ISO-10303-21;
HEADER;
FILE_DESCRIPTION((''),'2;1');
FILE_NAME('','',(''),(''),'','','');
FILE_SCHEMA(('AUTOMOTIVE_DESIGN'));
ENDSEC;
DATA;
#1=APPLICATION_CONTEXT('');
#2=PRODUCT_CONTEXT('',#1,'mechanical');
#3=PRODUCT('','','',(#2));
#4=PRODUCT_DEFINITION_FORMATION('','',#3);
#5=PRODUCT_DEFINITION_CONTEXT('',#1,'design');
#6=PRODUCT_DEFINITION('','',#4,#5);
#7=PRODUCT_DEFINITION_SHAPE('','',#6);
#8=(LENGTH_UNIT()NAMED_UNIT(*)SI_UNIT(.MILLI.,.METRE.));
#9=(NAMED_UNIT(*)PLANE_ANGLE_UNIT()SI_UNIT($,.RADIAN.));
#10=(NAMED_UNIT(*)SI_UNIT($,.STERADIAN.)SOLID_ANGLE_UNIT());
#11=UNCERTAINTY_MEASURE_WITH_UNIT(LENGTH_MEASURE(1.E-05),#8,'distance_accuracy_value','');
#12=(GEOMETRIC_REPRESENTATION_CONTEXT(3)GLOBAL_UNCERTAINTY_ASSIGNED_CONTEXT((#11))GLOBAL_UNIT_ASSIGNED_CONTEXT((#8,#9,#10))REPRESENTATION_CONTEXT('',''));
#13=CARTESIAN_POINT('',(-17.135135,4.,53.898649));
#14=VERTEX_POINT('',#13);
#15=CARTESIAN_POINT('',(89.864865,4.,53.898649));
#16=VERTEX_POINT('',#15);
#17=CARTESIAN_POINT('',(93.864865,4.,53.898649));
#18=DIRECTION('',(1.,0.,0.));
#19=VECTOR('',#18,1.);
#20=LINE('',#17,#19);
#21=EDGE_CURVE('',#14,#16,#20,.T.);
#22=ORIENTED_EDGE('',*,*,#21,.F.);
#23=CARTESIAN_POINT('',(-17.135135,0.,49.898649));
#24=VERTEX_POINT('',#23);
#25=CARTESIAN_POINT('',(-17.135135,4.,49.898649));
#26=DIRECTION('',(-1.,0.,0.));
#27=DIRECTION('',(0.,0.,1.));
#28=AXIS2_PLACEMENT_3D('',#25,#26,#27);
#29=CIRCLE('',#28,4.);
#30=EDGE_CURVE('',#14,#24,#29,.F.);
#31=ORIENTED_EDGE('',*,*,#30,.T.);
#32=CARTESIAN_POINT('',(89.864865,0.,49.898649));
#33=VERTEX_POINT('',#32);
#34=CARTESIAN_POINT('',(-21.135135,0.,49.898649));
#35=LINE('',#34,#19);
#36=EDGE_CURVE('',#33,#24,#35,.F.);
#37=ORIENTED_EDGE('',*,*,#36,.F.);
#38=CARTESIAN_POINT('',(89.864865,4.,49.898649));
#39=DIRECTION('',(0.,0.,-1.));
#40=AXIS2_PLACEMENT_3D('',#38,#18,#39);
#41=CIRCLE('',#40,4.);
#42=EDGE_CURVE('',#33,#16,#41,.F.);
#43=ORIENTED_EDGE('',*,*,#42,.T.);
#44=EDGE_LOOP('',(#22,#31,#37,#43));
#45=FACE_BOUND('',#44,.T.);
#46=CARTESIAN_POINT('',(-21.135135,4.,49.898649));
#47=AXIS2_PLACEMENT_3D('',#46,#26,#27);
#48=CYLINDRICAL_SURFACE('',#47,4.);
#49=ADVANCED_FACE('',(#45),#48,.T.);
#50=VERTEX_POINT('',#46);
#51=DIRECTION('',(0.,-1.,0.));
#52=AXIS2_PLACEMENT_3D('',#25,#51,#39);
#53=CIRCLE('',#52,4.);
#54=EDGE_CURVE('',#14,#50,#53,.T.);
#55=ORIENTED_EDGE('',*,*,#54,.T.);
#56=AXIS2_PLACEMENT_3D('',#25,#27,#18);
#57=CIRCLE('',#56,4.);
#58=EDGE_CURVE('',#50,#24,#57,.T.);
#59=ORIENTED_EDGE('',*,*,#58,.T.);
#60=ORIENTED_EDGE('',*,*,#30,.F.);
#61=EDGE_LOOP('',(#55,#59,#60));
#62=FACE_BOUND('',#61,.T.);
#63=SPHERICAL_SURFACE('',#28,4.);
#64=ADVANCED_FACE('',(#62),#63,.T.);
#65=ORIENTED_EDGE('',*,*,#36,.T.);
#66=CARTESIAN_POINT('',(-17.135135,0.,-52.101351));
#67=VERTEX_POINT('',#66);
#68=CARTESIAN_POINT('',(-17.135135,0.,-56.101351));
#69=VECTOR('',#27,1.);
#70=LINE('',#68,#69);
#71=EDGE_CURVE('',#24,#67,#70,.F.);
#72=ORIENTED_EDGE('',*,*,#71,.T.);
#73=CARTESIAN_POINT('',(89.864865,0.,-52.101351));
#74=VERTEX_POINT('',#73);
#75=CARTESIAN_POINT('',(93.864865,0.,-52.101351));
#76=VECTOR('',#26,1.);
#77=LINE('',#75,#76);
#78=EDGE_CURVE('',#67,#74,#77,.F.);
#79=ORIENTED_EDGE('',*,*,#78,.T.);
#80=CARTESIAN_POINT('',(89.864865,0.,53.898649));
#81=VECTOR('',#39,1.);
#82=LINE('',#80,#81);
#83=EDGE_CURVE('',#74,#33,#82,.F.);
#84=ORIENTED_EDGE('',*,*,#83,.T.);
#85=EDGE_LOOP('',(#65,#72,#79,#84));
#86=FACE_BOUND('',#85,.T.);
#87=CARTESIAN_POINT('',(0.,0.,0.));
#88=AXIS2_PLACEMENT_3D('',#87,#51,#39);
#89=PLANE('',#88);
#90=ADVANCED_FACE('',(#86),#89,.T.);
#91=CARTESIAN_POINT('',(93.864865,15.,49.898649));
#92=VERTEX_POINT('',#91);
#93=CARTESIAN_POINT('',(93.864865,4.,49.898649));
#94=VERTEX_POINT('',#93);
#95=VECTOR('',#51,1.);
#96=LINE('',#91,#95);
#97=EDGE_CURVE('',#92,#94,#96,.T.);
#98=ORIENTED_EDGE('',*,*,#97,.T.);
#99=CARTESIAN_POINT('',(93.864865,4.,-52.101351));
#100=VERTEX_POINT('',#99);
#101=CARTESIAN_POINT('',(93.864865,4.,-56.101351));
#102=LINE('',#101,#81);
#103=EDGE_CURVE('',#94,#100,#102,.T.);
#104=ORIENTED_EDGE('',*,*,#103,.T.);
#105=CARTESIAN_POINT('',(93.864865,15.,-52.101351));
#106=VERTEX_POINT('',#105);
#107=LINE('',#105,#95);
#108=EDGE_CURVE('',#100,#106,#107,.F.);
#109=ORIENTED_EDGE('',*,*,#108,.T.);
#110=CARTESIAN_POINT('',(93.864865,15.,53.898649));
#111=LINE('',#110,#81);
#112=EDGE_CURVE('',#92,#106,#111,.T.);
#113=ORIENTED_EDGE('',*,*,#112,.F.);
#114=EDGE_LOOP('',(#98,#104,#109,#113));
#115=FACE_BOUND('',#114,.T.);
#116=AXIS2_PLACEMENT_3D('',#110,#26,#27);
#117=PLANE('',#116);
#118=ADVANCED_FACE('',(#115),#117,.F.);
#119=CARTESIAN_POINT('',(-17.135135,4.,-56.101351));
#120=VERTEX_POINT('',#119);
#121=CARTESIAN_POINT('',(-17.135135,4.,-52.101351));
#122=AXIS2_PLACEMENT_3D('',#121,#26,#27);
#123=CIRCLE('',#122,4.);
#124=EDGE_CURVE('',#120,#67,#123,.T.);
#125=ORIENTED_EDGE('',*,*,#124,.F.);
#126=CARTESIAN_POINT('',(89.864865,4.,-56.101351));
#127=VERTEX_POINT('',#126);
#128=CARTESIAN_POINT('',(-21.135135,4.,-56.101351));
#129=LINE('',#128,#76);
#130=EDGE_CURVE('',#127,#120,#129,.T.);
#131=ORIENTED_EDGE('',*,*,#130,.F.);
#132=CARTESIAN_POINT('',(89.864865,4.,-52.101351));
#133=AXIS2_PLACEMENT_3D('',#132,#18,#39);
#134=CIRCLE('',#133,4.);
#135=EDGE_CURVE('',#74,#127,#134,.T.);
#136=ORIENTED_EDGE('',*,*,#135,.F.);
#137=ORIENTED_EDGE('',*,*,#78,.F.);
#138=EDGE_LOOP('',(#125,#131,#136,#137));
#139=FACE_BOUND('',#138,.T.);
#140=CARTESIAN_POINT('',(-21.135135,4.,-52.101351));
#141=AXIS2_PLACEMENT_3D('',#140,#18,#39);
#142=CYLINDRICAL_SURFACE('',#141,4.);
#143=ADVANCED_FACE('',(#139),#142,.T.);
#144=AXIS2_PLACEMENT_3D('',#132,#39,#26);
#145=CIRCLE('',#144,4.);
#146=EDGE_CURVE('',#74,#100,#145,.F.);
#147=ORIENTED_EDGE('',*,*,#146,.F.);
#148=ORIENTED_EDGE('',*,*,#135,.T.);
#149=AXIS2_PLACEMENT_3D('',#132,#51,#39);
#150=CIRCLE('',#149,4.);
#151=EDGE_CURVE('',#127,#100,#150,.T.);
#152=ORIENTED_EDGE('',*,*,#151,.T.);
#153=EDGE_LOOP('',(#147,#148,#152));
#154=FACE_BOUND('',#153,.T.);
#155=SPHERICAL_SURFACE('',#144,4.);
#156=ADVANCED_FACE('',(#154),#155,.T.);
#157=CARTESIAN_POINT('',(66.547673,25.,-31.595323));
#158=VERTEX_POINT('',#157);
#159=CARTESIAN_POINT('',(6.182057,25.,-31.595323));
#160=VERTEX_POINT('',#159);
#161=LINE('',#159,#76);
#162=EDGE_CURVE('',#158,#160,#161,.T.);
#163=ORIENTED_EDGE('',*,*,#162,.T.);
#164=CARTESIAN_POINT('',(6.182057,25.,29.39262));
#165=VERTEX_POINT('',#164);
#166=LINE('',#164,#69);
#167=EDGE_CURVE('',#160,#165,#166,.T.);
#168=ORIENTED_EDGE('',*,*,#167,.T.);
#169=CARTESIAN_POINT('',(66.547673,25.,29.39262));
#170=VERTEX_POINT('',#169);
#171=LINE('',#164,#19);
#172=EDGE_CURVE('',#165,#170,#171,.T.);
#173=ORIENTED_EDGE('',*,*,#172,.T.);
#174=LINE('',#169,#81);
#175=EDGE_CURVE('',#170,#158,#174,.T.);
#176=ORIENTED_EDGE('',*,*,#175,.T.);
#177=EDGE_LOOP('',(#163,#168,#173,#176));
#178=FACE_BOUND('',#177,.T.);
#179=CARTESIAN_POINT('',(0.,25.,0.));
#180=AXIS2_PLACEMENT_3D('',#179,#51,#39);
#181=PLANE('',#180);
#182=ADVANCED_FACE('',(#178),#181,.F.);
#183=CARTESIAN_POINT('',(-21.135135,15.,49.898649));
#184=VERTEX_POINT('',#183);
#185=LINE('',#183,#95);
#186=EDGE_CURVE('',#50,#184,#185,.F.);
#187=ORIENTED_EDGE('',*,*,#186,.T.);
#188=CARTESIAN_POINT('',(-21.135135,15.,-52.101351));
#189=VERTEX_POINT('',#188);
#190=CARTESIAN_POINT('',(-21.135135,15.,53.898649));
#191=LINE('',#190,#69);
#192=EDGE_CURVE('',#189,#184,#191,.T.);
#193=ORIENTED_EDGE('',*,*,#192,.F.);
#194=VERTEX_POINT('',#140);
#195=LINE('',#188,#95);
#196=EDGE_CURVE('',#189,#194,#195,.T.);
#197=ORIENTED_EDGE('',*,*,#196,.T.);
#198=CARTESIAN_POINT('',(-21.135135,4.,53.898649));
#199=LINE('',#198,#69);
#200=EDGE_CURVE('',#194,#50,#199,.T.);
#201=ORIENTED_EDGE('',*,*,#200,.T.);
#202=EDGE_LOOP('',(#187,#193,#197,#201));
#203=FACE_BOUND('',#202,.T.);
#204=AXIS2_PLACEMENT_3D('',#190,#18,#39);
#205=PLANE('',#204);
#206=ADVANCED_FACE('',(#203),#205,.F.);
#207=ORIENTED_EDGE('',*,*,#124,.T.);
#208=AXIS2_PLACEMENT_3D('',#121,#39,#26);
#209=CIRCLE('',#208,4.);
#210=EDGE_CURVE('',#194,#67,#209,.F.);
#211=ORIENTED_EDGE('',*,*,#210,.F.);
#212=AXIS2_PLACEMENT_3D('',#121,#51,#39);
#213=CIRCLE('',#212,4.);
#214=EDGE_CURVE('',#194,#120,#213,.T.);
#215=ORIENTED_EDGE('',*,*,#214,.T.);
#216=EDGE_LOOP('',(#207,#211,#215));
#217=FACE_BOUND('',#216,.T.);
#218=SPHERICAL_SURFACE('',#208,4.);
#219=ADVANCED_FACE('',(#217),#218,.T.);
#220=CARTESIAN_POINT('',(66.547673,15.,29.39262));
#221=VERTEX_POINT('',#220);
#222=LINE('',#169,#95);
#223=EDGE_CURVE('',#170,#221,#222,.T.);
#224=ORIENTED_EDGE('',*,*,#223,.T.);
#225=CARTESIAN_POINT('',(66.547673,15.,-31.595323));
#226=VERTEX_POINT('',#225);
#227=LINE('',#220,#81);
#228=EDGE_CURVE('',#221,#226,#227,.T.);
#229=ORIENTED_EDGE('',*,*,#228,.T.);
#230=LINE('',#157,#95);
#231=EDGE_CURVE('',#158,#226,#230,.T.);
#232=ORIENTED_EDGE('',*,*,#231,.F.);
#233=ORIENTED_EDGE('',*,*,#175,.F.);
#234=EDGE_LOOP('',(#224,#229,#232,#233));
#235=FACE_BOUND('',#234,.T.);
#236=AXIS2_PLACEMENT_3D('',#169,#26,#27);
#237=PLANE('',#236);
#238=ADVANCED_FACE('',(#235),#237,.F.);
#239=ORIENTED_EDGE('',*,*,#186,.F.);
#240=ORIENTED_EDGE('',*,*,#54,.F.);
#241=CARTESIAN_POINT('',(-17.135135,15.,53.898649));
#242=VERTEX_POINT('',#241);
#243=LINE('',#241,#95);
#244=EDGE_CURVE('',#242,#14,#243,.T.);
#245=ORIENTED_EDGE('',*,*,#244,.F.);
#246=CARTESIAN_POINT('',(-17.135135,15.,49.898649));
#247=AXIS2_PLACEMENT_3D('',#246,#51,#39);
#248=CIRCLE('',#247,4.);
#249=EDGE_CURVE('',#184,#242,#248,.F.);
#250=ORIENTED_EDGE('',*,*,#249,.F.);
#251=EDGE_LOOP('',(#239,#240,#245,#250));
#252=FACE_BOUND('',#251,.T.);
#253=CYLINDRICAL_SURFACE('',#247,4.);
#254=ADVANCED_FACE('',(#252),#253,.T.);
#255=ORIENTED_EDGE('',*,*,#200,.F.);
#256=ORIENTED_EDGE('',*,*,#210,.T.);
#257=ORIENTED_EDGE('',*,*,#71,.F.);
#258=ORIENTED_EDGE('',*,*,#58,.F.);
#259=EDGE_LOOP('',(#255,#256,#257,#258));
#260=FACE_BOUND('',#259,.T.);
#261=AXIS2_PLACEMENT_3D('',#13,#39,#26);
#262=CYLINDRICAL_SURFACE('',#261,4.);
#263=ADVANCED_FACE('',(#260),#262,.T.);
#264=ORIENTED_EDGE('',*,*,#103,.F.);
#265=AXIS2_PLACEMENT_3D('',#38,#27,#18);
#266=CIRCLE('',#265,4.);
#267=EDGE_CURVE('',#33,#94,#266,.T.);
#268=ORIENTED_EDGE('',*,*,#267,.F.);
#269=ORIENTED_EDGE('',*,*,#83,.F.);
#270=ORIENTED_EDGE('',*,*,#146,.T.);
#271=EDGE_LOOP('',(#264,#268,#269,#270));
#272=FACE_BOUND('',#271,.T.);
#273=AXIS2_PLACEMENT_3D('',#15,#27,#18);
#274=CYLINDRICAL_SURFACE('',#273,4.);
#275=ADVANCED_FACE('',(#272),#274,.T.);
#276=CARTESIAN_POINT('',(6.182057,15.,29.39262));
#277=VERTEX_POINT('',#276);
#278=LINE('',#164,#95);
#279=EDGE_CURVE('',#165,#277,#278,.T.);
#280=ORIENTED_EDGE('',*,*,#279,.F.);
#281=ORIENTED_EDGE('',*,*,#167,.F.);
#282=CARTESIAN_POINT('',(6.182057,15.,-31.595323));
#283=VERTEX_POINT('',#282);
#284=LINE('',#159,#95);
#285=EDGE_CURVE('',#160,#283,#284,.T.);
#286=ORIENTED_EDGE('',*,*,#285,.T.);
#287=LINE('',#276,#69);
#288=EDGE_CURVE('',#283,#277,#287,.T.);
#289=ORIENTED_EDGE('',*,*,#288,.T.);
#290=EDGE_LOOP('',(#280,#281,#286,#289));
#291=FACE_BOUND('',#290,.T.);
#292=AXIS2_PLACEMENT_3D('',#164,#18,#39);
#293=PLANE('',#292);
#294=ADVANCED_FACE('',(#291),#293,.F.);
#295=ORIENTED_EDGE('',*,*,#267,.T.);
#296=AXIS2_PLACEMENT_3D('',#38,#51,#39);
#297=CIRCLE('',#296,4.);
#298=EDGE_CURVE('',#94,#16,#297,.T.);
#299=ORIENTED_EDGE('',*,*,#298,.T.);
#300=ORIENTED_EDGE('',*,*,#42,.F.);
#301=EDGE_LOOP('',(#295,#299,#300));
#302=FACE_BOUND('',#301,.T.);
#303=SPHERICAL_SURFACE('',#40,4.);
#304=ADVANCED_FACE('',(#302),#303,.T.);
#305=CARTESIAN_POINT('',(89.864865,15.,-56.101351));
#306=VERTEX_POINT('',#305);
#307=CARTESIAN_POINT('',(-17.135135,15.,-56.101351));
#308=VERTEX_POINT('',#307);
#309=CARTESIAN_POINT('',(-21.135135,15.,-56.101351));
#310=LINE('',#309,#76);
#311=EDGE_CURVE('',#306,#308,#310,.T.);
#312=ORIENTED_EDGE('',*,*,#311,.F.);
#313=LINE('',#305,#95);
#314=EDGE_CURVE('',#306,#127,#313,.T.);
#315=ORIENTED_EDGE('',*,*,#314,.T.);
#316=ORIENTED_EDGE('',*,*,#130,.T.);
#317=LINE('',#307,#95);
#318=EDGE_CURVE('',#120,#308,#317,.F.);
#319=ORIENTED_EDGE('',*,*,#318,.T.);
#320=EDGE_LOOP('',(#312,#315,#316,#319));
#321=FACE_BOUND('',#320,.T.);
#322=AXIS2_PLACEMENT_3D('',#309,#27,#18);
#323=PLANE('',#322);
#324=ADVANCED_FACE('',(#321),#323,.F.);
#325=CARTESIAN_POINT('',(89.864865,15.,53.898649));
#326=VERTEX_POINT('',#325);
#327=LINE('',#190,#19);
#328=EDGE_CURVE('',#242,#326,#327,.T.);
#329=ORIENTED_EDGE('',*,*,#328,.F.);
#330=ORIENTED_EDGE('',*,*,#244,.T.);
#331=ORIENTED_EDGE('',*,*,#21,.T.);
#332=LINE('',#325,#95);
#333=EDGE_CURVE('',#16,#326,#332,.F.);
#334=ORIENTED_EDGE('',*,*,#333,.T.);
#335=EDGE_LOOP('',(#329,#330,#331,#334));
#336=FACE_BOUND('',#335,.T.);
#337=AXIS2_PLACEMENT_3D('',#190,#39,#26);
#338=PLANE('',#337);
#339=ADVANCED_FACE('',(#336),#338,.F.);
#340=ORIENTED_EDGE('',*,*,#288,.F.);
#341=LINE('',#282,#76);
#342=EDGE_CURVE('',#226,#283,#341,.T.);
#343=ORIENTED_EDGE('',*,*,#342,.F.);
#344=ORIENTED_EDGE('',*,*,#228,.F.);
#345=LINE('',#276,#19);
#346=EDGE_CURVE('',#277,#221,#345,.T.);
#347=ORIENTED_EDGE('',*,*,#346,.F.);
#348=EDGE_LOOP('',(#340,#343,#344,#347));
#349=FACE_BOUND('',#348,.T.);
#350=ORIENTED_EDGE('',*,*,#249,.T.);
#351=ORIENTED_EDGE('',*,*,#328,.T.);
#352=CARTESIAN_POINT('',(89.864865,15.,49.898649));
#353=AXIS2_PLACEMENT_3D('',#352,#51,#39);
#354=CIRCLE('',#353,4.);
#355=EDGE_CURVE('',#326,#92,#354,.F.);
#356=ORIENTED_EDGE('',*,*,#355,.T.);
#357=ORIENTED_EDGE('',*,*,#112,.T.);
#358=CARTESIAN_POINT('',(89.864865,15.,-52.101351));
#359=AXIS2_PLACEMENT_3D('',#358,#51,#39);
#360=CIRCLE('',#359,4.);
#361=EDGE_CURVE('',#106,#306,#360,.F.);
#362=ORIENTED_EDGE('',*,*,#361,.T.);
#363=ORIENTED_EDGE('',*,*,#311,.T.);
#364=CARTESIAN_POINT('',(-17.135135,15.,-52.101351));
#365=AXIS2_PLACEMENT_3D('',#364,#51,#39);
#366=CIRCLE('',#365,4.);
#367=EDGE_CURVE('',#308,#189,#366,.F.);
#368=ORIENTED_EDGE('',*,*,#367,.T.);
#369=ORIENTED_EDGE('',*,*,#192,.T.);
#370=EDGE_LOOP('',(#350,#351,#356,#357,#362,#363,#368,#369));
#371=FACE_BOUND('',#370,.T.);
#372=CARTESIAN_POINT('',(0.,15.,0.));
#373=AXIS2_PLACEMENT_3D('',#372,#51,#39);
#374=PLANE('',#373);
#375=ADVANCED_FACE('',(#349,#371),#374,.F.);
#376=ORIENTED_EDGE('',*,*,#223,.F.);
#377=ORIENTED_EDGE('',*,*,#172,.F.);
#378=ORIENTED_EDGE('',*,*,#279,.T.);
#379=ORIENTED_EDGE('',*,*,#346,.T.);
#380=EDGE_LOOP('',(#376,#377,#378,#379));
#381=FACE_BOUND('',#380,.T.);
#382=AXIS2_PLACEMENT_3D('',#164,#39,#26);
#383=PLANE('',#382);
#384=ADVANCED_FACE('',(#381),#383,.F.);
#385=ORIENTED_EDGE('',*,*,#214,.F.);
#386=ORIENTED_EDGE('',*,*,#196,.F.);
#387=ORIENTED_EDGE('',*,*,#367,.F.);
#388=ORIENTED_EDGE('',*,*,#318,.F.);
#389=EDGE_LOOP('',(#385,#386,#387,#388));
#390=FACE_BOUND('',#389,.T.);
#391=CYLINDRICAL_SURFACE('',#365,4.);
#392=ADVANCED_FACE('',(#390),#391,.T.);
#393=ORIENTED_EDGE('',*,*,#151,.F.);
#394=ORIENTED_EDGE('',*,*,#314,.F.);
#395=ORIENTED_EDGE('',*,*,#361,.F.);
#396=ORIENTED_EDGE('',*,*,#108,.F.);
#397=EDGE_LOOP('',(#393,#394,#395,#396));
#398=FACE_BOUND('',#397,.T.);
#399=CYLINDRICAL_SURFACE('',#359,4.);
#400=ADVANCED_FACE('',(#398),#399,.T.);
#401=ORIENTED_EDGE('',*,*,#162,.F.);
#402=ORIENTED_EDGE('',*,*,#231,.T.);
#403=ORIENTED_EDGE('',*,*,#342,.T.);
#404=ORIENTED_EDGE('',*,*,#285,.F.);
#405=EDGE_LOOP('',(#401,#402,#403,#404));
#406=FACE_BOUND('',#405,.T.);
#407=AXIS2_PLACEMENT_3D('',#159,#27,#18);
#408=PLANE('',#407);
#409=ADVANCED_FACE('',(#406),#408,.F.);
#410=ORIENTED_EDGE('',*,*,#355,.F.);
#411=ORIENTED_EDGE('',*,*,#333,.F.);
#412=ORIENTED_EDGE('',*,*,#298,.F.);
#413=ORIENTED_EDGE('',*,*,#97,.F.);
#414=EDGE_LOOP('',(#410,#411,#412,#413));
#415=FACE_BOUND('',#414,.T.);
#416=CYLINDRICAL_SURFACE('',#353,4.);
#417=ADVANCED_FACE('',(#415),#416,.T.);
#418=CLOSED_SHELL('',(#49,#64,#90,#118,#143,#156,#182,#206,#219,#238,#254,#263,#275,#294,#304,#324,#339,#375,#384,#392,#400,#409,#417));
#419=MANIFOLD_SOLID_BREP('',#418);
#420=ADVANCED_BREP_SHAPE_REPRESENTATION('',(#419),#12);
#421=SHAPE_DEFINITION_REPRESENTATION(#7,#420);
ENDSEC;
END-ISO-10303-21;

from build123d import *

# Parameters (mm, degrees)
SKETCH2_W           = 115
SKETCH2_H           = 110
BOSS_EXTRUDE1_DEPTH = 15
SKETCH3_W           = 60.365616492
SKETCH3_H           = 60.987942435
BOSS_EXTRUDE2_DEPTH = 10
FILLET2_R           = 4


with BuildPart() as part:
    # Sketch2 → Boss-Extrude1 (new body)
    with BuildSketch(Plane(origin=(0, 0, 0), x_dir=(1, 0, 0), z_dir=(0, 1, 0))):
        with Locations((36.364864865, 1.101351351)):
            Rectangle(SKETCH2_W, SKETCH2_H)
    extrude(amount=BOSS_EXTRUDE1_DEPTH)

    # Sketch3 → Boss-Extrude2 (add)
    with BuildSketch(Plane(origin=(0, 15, 0), x_dir=(1, 0, 0), z_dir=(0, 1, 0))):
        with Locations((36.364864865, 1.101351351)):
            Rectangle(SKETCH3_W, SKETCH3_H)
    extrude(amount=BOSS_EXTRUDE2_DEPTH)

    # Fillet2
    fillet2_edges = [part.edges().sort_by_distance(p)[0] for p in [
        (36.364864865, 0, -56.101351351),
        (93.864864865, 0, -1.101351351),
        (36.364864865, 0, 53.898648649),
        (-21.135135135, 0, -1.101351351),
        (-21.135135135, 7.5, -56.101351351),
        (93.864864865, 7.5, -56.101351351),
        (93.864864865, 7.5, 53.898648649),
        (-21.135135135, 7.5, 53.898648649),
    ]]
    fillet(fillet2_edges, radius=FILLET2_R)


solid = part.part
